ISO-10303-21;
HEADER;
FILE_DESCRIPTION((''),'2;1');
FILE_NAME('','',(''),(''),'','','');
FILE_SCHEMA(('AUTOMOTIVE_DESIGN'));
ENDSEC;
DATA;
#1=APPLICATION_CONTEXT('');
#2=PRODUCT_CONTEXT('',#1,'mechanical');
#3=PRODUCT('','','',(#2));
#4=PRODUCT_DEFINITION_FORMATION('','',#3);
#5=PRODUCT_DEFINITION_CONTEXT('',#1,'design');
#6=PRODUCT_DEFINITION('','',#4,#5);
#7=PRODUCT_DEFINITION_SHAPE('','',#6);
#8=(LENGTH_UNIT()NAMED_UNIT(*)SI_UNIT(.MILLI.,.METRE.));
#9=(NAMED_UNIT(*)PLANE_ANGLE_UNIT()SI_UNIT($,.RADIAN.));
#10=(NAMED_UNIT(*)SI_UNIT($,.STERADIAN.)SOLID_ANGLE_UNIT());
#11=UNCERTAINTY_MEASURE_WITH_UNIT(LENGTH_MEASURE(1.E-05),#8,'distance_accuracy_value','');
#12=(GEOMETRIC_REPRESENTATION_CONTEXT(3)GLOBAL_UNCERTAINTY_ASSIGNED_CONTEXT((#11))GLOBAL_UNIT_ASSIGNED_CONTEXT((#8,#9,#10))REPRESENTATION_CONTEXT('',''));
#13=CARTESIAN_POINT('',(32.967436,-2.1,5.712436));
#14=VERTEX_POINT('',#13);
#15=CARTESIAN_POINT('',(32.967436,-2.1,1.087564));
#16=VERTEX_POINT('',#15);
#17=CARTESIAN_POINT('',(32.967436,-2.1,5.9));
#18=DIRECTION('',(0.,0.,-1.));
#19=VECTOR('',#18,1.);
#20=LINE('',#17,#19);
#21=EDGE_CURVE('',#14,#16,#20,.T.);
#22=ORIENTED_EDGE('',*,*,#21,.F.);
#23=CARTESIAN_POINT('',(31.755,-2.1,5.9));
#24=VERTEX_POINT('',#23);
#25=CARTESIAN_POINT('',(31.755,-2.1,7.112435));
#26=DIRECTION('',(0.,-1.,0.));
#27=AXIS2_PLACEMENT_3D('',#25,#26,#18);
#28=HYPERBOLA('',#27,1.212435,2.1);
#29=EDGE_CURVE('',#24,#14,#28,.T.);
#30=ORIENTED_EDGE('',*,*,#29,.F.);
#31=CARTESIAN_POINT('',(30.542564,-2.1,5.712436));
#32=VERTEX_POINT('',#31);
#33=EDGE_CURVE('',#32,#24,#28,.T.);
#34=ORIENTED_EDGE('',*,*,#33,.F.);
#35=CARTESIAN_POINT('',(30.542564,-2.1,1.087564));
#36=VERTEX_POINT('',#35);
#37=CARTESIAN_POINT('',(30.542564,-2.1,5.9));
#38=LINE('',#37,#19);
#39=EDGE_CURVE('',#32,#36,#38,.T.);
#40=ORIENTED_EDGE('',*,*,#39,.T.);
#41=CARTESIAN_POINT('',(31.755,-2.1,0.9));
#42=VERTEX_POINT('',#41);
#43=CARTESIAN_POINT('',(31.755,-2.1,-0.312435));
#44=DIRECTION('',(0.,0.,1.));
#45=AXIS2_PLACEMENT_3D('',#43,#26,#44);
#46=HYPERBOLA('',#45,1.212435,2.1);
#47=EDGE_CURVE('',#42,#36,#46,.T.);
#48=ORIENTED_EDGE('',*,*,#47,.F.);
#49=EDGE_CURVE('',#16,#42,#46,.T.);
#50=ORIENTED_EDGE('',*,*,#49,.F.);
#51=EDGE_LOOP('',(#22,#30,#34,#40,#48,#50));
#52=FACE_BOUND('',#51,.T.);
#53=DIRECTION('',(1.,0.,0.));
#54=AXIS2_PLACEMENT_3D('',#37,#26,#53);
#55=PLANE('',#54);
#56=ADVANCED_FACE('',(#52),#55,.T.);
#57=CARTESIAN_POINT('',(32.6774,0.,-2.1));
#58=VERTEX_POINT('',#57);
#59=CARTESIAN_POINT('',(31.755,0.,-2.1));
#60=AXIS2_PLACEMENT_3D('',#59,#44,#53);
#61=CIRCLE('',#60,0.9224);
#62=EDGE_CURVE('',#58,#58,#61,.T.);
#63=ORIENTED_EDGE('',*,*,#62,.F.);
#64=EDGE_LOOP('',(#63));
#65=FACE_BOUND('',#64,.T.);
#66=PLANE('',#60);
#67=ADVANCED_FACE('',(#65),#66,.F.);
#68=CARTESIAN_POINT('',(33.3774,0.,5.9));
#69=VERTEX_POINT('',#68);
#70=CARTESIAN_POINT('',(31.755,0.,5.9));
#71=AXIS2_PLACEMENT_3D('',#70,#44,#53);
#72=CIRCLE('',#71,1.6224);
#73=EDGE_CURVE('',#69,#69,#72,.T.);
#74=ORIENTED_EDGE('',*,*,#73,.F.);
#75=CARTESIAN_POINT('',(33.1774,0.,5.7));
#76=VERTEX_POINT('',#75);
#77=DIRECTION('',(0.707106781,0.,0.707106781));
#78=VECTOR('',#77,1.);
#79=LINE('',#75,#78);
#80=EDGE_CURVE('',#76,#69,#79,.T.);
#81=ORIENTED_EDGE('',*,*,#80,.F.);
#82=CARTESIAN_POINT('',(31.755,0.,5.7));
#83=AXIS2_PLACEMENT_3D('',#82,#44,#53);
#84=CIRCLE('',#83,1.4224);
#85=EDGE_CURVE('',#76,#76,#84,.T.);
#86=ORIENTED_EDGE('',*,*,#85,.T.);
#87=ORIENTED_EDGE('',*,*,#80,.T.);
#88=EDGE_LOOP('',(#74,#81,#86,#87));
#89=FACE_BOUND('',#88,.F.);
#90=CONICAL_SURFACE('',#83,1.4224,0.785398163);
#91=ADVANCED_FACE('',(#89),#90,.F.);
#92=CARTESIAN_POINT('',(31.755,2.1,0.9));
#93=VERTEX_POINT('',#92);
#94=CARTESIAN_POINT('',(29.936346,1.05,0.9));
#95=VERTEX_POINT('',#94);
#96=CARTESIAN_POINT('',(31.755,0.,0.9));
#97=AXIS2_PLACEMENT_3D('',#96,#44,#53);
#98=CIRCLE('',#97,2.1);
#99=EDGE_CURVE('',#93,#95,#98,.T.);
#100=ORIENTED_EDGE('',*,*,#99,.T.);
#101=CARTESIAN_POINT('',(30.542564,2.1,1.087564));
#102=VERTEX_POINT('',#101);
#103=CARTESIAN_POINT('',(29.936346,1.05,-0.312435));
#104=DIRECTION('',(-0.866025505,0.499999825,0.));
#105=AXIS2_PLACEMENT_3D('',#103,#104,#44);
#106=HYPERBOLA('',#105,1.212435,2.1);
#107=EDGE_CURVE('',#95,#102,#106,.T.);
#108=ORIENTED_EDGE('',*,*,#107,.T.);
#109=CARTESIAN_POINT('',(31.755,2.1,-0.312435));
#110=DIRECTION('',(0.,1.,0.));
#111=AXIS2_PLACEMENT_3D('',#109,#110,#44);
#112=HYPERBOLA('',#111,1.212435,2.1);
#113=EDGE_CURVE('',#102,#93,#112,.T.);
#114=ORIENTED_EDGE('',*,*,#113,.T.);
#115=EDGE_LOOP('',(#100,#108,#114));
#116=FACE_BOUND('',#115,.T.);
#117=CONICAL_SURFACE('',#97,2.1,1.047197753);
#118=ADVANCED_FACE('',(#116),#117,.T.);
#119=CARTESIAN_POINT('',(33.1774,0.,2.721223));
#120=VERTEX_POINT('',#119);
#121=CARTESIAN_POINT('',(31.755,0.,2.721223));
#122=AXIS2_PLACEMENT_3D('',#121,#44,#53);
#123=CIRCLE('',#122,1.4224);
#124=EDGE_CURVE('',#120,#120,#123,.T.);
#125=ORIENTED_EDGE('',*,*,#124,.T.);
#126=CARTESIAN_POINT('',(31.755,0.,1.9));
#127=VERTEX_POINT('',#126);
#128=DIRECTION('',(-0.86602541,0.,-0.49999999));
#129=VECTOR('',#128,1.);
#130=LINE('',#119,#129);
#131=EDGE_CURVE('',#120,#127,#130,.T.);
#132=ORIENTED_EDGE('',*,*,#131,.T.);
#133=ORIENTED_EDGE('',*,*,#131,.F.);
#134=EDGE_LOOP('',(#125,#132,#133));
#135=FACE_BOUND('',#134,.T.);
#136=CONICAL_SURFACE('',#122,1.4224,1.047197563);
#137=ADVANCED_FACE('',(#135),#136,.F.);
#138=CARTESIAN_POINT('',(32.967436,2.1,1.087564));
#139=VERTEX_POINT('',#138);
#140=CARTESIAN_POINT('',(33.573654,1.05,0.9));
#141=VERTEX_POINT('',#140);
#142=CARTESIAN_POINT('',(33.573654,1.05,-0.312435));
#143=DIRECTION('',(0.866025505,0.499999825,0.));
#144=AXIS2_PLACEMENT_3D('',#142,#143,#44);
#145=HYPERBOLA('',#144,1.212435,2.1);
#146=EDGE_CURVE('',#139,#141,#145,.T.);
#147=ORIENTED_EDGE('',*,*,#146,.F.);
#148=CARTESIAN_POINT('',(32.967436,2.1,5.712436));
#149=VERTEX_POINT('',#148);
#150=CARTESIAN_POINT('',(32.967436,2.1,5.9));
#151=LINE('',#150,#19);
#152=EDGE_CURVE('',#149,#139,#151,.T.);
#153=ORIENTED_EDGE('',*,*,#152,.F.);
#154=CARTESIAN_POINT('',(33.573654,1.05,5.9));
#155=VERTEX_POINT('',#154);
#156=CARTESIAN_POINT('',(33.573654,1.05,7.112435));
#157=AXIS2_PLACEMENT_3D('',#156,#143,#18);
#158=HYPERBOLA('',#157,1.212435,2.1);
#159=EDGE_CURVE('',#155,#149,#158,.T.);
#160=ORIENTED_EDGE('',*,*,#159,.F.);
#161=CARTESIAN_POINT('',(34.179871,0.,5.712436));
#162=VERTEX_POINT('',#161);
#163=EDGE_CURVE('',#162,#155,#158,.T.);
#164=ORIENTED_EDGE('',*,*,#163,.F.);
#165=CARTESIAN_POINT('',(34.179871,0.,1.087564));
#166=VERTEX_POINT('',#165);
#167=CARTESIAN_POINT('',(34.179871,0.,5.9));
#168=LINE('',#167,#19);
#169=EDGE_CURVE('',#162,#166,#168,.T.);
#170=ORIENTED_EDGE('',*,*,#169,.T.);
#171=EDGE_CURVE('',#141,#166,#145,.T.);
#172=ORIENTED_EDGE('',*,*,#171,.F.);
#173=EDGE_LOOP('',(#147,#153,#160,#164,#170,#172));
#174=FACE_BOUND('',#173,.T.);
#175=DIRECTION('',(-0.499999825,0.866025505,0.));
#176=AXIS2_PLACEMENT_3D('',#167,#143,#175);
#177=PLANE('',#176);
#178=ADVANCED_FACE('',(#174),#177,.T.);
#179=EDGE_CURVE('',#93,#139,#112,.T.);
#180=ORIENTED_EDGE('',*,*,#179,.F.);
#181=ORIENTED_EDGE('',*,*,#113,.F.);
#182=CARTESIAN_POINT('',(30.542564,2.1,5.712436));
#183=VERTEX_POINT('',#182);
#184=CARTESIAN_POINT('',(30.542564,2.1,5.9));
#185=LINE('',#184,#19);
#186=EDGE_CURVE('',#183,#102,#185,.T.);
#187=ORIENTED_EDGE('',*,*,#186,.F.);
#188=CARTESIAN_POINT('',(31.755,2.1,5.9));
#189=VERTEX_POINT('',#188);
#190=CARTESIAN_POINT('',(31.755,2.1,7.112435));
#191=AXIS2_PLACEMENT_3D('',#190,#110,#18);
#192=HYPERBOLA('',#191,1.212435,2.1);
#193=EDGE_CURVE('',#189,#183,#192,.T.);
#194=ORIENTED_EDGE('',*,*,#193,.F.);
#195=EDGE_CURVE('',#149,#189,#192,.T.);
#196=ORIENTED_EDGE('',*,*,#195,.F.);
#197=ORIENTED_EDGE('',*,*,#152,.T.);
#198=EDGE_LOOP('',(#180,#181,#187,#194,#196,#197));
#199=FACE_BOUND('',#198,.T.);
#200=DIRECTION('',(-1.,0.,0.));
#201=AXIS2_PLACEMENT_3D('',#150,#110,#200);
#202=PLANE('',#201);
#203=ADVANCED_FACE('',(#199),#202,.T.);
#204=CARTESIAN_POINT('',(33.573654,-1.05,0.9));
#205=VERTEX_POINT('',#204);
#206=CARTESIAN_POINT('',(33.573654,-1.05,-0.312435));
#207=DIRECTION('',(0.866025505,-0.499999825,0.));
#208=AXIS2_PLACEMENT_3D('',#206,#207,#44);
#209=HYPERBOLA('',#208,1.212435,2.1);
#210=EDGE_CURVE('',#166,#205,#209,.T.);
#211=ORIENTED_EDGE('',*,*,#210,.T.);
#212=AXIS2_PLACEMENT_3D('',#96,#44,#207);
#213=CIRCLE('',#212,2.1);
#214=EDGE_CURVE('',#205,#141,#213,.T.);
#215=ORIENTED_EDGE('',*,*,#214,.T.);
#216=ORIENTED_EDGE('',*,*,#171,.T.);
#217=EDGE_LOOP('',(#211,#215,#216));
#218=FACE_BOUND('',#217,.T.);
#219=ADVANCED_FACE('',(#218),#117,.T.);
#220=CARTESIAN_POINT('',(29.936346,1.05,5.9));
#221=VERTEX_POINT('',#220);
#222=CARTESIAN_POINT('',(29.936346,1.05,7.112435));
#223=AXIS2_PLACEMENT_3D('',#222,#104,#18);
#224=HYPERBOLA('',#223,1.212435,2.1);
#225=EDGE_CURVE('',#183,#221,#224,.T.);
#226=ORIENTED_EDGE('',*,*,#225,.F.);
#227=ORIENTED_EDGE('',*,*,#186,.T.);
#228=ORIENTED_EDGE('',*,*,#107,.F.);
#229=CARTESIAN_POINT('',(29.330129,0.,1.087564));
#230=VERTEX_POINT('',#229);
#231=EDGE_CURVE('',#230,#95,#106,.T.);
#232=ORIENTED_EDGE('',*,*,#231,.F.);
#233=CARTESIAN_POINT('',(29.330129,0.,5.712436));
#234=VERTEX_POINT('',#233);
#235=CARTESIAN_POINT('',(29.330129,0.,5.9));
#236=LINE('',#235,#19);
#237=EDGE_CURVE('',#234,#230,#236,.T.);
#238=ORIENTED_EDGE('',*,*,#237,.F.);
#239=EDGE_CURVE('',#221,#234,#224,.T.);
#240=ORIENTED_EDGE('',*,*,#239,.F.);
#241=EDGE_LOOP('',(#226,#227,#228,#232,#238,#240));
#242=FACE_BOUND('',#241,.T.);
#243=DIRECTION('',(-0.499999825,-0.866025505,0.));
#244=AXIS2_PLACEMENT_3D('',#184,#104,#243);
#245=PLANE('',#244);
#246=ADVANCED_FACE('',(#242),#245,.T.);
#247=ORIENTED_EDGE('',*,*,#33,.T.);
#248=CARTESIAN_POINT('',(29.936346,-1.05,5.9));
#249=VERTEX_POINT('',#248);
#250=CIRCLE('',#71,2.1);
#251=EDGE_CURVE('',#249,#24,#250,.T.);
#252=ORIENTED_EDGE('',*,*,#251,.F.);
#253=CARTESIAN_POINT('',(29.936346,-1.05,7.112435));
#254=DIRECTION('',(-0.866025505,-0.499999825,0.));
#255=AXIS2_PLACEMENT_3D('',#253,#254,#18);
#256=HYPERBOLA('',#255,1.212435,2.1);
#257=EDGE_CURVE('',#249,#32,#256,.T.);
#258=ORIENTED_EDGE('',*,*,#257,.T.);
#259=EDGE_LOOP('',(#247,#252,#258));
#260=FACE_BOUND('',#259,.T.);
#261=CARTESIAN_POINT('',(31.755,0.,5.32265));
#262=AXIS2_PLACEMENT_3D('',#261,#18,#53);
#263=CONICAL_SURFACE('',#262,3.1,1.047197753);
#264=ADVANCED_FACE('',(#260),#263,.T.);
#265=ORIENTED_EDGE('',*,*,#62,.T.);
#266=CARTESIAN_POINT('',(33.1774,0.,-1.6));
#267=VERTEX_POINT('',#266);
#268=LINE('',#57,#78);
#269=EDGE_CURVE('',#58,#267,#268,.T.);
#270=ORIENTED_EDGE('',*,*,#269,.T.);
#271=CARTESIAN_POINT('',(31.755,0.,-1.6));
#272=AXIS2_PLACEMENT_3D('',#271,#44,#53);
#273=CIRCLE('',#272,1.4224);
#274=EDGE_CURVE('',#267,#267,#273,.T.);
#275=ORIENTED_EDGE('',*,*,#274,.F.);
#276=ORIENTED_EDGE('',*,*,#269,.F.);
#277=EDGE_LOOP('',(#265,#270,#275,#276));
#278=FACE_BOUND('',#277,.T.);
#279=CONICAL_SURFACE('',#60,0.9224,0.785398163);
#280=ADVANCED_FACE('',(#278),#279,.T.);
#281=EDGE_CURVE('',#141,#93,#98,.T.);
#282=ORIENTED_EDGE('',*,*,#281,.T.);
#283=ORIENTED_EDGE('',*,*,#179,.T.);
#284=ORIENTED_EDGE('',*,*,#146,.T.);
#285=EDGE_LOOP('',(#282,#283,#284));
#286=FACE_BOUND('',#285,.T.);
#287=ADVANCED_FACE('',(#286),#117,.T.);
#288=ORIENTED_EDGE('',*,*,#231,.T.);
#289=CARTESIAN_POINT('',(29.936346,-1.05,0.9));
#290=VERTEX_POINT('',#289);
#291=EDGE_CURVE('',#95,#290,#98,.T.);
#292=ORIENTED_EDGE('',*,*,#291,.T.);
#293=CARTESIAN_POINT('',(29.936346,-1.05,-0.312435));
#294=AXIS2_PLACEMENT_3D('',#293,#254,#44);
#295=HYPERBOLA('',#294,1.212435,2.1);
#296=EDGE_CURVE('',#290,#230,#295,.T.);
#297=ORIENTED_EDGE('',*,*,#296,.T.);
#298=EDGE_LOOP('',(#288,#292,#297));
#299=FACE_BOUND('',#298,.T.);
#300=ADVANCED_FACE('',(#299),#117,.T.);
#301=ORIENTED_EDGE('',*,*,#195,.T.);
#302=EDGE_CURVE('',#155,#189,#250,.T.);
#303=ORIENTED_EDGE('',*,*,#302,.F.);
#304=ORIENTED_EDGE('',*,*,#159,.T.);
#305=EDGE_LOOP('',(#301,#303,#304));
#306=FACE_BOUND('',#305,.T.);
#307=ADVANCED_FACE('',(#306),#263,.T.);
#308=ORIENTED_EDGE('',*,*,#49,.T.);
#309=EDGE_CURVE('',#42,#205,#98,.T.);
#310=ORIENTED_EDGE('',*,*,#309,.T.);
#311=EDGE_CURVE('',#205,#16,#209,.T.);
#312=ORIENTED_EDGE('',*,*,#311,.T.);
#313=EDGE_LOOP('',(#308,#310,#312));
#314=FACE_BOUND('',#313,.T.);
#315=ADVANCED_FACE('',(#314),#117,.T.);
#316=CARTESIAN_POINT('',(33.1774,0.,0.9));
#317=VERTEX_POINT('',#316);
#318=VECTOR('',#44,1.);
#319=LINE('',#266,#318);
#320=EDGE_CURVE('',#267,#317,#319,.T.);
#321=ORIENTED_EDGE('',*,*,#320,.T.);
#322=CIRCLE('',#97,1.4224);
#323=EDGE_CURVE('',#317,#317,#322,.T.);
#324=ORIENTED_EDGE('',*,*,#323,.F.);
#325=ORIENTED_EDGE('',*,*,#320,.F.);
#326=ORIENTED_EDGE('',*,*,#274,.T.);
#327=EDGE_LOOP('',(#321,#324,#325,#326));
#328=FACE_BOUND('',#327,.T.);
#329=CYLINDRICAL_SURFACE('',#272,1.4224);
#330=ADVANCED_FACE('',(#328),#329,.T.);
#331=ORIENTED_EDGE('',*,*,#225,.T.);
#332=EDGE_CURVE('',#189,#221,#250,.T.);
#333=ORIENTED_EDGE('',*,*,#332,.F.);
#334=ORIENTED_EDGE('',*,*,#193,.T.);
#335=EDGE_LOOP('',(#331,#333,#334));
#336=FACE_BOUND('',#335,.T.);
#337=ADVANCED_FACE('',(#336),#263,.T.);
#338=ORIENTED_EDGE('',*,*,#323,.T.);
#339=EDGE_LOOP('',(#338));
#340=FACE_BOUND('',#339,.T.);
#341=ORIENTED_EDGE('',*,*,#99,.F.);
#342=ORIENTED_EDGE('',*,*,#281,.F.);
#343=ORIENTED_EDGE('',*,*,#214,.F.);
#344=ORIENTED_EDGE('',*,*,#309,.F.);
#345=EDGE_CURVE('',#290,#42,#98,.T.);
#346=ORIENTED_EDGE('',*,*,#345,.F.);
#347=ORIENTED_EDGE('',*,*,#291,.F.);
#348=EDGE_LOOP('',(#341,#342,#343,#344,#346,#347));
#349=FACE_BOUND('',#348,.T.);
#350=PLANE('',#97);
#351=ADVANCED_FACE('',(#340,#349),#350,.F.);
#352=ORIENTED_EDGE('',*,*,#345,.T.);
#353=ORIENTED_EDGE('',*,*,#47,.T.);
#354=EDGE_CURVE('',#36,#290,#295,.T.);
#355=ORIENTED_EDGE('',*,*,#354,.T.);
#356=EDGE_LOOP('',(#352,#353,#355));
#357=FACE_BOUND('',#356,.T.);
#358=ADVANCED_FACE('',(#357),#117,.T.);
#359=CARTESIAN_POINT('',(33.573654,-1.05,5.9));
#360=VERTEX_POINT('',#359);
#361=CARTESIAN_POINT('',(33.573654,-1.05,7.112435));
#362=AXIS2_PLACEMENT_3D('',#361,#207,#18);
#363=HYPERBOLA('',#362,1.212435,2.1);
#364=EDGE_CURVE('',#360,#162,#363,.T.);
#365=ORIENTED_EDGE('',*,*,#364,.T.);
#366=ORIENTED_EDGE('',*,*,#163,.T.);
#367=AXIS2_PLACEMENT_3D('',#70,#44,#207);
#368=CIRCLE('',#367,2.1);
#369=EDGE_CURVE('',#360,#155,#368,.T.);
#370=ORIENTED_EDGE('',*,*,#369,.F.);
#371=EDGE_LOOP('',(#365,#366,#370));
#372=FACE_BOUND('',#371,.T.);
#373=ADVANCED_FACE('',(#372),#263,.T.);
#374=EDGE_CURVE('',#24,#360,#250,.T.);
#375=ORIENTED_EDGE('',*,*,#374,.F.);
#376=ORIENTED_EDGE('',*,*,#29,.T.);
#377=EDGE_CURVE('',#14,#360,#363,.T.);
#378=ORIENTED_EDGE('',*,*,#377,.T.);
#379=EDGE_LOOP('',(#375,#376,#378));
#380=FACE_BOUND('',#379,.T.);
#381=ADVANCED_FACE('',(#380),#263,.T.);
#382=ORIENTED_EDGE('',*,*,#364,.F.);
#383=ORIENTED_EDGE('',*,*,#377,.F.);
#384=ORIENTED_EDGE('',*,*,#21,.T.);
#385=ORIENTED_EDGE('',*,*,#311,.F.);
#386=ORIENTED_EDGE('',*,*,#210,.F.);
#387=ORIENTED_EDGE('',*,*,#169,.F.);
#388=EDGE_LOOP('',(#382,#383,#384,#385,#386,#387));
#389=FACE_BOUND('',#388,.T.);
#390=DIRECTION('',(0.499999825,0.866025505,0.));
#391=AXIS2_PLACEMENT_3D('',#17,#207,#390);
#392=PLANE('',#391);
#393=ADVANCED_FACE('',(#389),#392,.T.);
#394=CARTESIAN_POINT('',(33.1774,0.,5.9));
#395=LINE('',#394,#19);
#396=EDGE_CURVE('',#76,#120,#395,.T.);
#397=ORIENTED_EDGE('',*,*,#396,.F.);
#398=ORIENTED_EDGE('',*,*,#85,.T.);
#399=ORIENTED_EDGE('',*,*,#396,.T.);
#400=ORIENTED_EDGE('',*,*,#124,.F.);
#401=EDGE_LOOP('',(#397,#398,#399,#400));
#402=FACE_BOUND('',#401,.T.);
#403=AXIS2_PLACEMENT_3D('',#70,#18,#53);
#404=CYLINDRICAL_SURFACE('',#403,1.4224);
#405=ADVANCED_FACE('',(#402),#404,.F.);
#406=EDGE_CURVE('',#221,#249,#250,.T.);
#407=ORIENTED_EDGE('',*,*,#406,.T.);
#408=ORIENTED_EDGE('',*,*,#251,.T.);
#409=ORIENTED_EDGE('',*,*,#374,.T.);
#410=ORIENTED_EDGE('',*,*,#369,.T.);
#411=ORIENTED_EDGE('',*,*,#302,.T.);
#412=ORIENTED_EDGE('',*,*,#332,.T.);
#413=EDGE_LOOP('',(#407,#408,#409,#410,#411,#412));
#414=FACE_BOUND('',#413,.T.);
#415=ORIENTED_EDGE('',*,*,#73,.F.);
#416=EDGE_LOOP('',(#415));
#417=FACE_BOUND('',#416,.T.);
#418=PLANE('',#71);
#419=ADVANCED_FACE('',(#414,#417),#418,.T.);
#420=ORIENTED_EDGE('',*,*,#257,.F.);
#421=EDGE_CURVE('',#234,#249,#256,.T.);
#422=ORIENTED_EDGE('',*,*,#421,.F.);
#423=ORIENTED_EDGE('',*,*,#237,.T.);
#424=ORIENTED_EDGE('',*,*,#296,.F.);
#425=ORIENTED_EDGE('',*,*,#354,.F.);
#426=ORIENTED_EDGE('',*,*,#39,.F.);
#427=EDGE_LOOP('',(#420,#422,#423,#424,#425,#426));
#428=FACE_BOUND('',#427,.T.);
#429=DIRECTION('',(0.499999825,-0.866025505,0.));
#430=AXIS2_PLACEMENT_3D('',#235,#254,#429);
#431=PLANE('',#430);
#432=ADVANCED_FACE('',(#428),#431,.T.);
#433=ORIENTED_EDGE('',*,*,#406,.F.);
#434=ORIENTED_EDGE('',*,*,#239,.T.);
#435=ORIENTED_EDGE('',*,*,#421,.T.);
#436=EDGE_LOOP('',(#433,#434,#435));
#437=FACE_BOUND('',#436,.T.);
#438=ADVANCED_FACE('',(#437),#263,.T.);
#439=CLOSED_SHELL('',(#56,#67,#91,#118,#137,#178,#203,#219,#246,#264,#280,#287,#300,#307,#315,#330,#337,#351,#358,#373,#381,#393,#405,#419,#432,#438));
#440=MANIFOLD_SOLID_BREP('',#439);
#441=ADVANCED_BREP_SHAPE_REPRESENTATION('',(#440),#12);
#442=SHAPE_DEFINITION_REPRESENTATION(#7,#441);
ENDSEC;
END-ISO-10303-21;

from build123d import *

# Parameters (mm, degrees)
SKETCH013_R     = 3.630449
POCKET007_DEPTH = 8.001
CHAMFER_SIZE    = 0.2


with BuildPart() as part:
    # Sketch012 → Revolution001 (revolve)
    with BuildSketch(Plane.XZ):
        Polygon((1.4224, 5), (1.4224, 1.821223), (0, 1), (0, -3), (0.9224, -3), (1.4224, -2.5), (1.4224, 0), (2.1, 0), (3.1, 0.57735), (3.1, 4.42265), (2.1, 5), align=None)
    revolve(axis=Axis((0, 0, 0), (0, 0, 1)))

    # Sketch013 (on Face10 of Revolution001) → Pocket007 (cut, through all)
    with BuildSketch(Plane(origin=(0, 0, 5), x_dir=(-1, 0, 0), z_dir=(0, 0, 1))):
        Circle(SKETCH013_R)
        Polygon((2.424871, 0), (1.212436, 2.1), (-1.212436, 2.1), (-2.424871, 0), (-1.212436, -2.1), (1.212436, -2.1), align=None, mode=Mode.SUBTRACT)
    extrude(amount=-POCKET007_DEPTH, mode=Mode.SUBTRACT)

    # Chamfer
    chamfer_edges = [part.edges().sort_by_distance(p)[0] for p in [
        (-1.4224, 0, 5),
    ]]
    chamfer(chamfer_edges, length=CHAMFER_SIZE)


with BuildPart() as part_1:
    # Body004 placement: moved
    add(part.part.moved(Location((-31.755, 0, 0.9))))


with BuildPart() as part_2:
    # Clone001 placement: moved
    add(part_1.part.moved(Location((31.755, 0, -0.9))))


with BuildPart() as part_3:
    # Body005 placement: moved
    add(part_2.part.moved(Location((31.755, 0, 0.9))))


solid = part_3.part
